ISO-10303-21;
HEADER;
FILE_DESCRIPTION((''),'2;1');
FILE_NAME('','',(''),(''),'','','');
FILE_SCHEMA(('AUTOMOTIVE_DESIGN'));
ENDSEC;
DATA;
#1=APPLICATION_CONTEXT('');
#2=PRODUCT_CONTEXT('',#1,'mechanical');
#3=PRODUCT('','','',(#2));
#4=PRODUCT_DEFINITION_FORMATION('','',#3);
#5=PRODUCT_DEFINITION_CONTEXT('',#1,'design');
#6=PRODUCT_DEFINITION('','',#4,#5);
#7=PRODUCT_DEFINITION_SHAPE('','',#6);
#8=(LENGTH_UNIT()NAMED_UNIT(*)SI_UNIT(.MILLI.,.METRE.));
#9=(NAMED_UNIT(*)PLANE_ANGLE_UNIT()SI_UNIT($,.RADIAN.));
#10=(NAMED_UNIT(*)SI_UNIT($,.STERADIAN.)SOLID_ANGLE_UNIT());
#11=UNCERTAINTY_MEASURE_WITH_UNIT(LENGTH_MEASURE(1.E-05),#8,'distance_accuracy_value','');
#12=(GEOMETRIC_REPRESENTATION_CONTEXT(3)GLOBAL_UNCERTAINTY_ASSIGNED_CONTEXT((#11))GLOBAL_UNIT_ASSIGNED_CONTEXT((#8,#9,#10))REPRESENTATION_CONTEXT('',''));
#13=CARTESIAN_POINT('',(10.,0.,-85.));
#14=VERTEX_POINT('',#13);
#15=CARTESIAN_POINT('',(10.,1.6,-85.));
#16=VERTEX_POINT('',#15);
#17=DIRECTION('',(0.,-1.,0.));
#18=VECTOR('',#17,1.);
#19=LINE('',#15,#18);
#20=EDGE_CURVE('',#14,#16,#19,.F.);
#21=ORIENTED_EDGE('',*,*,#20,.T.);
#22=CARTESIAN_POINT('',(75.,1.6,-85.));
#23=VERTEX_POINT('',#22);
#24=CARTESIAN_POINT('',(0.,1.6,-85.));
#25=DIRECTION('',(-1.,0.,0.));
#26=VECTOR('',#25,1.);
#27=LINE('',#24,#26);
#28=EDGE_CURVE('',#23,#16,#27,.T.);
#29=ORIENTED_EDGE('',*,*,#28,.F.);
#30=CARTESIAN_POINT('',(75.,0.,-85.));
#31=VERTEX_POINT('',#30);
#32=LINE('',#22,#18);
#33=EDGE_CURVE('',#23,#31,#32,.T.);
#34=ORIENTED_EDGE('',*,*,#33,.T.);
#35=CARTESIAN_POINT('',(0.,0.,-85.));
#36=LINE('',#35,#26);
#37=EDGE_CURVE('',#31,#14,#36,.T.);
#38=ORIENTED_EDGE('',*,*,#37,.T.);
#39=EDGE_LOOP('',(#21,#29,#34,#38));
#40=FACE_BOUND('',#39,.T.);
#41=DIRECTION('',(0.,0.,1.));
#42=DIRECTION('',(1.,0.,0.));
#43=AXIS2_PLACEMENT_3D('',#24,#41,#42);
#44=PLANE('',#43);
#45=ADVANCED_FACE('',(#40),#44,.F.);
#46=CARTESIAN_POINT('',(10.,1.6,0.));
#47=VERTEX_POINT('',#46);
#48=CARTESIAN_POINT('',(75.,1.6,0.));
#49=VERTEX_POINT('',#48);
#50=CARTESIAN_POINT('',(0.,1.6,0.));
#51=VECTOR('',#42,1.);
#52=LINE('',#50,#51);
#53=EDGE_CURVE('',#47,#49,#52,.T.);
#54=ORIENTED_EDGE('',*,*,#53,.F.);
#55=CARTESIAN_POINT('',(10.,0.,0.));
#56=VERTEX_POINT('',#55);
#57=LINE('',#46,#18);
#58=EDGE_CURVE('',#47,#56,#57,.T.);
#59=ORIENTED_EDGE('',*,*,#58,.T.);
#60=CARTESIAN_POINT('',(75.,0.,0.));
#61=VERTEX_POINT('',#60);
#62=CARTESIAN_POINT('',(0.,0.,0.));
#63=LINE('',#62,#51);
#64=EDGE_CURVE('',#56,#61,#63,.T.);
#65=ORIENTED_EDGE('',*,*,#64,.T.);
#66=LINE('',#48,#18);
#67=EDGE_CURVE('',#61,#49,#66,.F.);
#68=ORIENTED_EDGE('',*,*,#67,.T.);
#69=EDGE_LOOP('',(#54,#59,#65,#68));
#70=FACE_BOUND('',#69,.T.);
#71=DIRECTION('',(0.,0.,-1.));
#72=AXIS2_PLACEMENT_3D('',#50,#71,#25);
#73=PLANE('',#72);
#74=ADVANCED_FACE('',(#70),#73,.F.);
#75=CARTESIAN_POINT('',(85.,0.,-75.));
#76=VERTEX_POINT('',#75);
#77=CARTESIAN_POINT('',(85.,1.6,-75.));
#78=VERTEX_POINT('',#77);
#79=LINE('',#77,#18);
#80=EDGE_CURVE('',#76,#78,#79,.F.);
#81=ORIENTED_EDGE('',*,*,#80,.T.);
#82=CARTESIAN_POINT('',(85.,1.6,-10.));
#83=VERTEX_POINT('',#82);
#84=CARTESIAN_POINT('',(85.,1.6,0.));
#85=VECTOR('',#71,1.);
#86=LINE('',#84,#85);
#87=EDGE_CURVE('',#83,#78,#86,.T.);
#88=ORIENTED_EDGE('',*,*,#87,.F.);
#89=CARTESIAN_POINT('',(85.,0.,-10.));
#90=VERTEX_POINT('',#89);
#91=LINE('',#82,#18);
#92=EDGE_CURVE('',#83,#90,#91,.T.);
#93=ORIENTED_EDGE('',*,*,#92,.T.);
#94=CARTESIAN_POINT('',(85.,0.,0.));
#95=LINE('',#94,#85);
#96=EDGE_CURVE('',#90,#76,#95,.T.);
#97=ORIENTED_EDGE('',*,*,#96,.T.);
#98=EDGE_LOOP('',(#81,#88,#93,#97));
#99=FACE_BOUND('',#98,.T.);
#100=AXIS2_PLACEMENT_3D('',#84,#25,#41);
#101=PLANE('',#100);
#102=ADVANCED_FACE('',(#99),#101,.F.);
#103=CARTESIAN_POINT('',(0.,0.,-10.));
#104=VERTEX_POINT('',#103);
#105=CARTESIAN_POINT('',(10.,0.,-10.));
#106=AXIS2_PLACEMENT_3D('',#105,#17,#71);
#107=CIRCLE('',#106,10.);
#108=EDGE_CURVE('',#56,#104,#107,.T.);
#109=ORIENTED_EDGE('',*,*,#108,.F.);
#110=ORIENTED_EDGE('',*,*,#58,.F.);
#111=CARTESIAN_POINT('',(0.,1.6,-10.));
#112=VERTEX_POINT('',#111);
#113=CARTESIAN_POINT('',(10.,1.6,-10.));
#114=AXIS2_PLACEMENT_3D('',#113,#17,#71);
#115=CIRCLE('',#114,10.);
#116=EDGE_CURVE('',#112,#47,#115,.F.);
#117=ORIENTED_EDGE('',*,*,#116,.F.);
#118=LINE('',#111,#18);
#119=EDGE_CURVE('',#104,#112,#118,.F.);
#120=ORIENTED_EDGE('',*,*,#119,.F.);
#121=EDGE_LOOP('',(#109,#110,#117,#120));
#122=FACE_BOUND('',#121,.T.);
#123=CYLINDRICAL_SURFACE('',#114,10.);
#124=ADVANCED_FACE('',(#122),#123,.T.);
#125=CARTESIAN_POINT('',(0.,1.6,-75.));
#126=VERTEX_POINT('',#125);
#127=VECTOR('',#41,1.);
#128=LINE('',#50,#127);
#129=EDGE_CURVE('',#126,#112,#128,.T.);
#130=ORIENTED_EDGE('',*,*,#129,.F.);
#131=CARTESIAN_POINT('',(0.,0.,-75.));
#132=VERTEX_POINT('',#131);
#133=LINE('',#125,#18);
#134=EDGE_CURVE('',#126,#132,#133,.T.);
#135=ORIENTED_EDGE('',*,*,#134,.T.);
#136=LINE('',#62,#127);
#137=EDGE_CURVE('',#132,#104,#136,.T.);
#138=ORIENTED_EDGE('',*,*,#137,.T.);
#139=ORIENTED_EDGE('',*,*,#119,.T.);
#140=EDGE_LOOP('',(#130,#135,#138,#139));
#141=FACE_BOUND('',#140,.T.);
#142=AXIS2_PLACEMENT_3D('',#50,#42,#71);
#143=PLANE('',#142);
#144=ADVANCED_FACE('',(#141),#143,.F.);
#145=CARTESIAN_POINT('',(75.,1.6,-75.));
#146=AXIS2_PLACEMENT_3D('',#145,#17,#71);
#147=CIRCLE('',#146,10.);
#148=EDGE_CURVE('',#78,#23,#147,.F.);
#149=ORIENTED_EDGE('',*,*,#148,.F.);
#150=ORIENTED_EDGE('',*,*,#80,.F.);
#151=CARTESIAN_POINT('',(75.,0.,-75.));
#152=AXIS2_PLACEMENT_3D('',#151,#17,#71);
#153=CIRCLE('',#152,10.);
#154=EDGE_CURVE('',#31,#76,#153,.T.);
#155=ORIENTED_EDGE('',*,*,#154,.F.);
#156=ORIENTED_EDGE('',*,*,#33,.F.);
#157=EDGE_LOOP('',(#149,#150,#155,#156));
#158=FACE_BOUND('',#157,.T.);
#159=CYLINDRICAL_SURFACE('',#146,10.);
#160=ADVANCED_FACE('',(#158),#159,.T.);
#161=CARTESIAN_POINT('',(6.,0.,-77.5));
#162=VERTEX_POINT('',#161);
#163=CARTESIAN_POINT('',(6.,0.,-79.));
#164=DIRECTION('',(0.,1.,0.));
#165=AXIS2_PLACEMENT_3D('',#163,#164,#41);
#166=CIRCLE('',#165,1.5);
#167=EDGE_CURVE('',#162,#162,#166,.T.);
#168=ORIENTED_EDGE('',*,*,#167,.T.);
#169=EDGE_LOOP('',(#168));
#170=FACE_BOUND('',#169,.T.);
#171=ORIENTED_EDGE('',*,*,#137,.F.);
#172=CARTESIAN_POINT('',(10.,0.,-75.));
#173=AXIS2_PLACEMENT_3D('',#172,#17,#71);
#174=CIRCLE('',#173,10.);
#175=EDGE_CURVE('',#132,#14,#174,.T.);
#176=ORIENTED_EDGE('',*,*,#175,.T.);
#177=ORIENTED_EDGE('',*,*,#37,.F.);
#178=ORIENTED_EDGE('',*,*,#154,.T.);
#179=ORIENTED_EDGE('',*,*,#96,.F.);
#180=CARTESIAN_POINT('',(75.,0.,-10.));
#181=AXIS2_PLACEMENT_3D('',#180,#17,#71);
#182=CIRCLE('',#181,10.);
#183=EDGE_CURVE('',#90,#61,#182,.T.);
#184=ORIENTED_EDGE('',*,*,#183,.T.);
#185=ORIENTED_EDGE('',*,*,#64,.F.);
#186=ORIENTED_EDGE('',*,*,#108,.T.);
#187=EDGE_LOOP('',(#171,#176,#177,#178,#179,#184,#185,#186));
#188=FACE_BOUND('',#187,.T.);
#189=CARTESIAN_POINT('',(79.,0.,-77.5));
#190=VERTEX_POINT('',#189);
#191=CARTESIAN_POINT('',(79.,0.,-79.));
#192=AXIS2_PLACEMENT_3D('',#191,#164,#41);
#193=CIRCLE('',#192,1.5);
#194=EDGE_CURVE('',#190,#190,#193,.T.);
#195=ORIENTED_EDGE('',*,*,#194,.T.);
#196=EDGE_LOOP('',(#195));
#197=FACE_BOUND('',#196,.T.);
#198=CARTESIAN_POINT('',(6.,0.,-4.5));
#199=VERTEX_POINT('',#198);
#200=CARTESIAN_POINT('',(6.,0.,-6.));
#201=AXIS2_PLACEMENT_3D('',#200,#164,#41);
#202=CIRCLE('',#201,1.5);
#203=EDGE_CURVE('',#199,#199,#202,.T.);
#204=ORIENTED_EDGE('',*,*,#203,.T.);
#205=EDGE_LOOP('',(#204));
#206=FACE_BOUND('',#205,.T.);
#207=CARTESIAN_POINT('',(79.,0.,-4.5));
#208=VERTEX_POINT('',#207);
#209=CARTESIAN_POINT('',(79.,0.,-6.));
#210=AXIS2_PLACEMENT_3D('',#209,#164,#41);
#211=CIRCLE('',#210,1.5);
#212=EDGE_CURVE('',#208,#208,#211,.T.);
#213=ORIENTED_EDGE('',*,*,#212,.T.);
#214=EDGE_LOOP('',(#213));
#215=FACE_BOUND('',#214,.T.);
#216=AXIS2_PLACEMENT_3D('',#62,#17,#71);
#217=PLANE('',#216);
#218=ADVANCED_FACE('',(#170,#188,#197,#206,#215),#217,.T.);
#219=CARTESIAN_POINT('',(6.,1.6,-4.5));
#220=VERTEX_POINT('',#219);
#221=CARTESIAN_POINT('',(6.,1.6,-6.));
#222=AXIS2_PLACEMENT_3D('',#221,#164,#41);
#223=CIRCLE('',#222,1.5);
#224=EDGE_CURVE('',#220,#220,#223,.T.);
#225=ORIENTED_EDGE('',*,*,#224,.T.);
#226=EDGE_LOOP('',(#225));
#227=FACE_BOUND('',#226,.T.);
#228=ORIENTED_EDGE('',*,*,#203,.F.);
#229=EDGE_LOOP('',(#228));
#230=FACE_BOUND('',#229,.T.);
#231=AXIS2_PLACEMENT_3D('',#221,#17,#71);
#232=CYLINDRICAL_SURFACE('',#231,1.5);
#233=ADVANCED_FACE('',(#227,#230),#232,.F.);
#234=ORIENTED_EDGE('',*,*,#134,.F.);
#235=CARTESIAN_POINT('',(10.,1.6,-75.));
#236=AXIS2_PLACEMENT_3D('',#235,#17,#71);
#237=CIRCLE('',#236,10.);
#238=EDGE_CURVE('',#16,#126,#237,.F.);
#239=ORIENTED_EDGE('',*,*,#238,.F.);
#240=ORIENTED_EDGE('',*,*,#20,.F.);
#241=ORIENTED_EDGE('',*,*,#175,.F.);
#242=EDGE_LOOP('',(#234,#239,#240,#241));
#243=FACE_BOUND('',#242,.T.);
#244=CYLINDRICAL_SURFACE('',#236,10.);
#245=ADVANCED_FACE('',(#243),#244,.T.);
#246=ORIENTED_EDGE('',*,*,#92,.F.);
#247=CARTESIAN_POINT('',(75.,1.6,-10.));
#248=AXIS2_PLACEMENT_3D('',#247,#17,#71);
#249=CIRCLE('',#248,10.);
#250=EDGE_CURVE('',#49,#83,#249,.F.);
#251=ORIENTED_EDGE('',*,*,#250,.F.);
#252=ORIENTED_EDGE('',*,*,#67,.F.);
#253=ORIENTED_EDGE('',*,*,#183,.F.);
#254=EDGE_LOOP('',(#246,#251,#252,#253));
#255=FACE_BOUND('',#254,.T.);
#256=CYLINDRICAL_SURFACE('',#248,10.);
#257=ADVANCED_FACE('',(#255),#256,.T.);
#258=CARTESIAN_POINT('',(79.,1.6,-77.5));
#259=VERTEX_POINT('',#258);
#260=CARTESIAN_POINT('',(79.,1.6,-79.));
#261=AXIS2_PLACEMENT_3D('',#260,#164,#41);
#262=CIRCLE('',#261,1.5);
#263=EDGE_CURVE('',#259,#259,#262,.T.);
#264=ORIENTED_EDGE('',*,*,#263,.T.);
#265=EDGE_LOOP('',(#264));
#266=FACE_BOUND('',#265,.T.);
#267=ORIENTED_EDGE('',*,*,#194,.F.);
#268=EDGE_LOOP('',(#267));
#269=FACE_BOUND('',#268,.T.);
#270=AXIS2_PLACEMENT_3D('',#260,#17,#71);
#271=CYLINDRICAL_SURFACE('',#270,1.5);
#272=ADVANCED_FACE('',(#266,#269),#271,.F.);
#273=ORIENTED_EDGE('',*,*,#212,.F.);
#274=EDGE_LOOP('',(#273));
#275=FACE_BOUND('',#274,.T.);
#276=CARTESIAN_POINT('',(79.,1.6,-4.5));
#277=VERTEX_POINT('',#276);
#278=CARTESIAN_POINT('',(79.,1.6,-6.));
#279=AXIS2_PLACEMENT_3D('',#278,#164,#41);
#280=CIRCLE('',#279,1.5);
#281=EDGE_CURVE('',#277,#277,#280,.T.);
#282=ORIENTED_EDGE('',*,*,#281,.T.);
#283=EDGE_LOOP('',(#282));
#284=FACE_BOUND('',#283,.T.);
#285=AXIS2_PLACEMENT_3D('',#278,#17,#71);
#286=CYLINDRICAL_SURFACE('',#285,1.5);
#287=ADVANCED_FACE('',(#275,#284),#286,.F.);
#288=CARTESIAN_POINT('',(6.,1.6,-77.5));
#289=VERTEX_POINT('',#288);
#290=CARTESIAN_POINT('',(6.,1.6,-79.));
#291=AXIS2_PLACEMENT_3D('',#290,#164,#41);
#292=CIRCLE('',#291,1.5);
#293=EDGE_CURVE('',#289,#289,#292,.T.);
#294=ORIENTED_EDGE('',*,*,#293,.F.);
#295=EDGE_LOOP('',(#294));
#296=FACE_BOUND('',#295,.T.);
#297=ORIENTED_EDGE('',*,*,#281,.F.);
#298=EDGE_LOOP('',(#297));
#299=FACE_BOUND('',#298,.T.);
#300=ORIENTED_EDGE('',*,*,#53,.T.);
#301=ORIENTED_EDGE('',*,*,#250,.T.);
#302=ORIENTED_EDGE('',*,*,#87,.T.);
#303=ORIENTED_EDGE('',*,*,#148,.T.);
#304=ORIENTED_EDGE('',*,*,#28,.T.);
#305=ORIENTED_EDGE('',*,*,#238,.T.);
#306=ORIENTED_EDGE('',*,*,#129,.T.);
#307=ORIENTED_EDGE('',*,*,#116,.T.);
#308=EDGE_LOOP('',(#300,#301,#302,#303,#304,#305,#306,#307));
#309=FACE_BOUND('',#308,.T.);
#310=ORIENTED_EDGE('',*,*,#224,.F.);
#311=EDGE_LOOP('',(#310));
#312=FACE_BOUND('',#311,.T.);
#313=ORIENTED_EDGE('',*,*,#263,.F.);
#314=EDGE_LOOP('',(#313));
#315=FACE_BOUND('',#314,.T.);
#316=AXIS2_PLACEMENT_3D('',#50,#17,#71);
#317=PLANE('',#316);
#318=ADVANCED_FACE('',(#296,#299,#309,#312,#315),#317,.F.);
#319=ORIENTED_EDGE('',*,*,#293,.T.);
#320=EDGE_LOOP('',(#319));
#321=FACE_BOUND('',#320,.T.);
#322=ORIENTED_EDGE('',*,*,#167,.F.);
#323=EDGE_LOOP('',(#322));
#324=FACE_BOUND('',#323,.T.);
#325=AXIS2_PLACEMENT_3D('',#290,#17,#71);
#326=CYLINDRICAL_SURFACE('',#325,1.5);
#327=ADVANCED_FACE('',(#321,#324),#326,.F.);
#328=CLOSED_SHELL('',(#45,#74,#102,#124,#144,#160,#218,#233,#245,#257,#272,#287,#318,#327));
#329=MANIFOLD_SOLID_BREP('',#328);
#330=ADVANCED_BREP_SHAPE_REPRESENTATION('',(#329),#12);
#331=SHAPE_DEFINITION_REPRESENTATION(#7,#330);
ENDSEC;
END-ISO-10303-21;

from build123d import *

# Parameters (mm, degrees)
SKETCH1_W           = 85
SKETCH1_H           = 85
SKETCH1_R           = 1.5
BOSS_EXTRUDE1_DEPTH = 1.6
FILLET1_R           = 10


with BuildPart() as part:
    # Sketch1 → Boss-Extrude1 (new body)
    with BuildSketch(Plane(origin=(0, 0, 0), x_dir=(1, 0, 0), z_dir=(0, 1, 0))):
        with Locations((42.5, 42.5)):
            Rectangle(SKETCH1_W, SKETCH1_H)
        with Locations((6, 79)):
            Circle(SKETCH1_R, mode=Mode.SUBTRACT)
        with Locations((6, 6)):
            Circle(SKETCH1_R, mode=Mode.SUBTRACT)
        with Locations((79, 6)):
            Circle(SKETCH1_R, mode=Mode.SUBTRACT)
        with Locations((79, 79)):
            Circle(SKETCH1_R, mode=Mode.SUBTRACT)
    extrude(amount=BOSS_EXTRUDE1_DEPTH)

    # Fillet1
    fillet1_edges = [part.edges().sort_by_distance(p)[0] for p in [
        (0, 0.8, -85),
        (85, 0.8, -85),
        (85, 0.8, 0),
        (0, 0.8, 0),
    ]]
    fillet(fillet1_edges, radius=FILLET1_R)


solid = part.part
